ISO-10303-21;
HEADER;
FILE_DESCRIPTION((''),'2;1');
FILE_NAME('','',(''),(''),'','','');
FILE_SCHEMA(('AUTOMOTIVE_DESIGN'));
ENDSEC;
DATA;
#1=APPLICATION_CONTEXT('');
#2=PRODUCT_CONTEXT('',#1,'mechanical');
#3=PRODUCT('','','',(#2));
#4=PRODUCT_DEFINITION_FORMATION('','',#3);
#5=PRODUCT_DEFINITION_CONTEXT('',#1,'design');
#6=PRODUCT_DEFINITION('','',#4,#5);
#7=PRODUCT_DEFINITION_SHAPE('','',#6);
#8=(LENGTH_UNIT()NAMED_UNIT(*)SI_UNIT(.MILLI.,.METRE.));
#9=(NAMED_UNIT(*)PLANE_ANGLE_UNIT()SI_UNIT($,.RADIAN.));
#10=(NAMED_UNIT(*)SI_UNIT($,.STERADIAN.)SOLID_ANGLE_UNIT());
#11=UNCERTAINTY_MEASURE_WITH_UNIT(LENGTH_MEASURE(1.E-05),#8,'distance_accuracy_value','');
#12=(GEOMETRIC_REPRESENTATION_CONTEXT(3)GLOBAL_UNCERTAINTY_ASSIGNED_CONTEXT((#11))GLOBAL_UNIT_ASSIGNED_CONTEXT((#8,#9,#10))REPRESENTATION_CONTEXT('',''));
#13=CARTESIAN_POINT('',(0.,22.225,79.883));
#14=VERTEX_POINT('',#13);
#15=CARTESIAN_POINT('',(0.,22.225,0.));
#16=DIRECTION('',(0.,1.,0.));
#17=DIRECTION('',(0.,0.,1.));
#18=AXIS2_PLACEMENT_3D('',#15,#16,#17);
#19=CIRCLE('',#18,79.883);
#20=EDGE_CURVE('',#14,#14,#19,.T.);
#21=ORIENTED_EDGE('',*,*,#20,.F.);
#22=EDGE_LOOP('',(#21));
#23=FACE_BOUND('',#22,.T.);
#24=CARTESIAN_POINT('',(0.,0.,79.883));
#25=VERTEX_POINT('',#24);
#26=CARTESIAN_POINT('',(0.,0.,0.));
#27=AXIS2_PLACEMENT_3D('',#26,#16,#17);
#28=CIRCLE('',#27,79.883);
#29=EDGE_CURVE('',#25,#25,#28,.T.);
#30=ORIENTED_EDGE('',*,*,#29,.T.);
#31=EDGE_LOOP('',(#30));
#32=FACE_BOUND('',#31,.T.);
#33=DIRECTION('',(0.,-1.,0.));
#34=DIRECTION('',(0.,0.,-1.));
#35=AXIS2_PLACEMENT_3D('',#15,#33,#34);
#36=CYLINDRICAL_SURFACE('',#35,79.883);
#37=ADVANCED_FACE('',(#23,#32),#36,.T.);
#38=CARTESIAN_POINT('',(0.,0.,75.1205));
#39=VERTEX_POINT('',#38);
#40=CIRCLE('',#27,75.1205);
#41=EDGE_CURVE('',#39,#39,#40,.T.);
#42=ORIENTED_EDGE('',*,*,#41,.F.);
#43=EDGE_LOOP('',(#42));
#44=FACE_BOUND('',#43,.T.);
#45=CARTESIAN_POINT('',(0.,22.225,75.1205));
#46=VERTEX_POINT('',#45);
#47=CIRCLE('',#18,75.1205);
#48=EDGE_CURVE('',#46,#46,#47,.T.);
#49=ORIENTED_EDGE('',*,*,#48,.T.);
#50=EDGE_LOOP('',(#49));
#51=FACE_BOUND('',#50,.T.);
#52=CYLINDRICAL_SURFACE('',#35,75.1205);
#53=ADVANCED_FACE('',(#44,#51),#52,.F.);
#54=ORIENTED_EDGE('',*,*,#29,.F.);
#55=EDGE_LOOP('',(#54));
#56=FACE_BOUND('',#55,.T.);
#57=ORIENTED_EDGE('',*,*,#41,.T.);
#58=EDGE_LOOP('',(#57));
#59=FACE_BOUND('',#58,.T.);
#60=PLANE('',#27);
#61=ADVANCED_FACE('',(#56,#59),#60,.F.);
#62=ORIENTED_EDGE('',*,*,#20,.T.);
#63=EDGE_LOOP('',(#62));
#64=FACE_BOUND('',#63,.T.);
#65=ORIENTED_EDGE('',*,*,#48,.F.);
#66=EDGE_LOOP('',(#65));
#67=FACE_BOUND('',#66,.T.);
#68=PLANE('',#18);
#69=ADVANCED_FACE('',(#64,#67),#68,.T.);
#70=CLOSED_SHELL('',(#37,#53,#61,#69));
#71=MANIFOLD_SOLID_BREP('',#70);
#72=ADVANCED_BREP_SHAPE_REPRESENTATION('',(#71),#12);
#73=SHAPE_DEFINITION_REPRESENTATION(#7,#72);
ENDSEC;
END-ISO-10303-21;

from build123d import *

# Parameters (mm, degrees)
SKETCH1_R           = 79.883
SKETCH1_R_2         = 75.1205
BOSS_EXTRUDE1_DEPTH = 22.225


with BuildPart() as part:
    # Sketch1 → Boss-Extrude1 (new body)
    with BuildSketch(Plane(origin=(0, 0, 0), x_dir=(1, 0, 0), z_dir=(0, 1, 0))):
        Circle(SKETCH1_R)
        Circle(SKETCH1_R_2, mode=Mode.SUBTRACT)
    extrude(amount=BOSS_EXTRUDE1_DEPTH)


solid = part.part
